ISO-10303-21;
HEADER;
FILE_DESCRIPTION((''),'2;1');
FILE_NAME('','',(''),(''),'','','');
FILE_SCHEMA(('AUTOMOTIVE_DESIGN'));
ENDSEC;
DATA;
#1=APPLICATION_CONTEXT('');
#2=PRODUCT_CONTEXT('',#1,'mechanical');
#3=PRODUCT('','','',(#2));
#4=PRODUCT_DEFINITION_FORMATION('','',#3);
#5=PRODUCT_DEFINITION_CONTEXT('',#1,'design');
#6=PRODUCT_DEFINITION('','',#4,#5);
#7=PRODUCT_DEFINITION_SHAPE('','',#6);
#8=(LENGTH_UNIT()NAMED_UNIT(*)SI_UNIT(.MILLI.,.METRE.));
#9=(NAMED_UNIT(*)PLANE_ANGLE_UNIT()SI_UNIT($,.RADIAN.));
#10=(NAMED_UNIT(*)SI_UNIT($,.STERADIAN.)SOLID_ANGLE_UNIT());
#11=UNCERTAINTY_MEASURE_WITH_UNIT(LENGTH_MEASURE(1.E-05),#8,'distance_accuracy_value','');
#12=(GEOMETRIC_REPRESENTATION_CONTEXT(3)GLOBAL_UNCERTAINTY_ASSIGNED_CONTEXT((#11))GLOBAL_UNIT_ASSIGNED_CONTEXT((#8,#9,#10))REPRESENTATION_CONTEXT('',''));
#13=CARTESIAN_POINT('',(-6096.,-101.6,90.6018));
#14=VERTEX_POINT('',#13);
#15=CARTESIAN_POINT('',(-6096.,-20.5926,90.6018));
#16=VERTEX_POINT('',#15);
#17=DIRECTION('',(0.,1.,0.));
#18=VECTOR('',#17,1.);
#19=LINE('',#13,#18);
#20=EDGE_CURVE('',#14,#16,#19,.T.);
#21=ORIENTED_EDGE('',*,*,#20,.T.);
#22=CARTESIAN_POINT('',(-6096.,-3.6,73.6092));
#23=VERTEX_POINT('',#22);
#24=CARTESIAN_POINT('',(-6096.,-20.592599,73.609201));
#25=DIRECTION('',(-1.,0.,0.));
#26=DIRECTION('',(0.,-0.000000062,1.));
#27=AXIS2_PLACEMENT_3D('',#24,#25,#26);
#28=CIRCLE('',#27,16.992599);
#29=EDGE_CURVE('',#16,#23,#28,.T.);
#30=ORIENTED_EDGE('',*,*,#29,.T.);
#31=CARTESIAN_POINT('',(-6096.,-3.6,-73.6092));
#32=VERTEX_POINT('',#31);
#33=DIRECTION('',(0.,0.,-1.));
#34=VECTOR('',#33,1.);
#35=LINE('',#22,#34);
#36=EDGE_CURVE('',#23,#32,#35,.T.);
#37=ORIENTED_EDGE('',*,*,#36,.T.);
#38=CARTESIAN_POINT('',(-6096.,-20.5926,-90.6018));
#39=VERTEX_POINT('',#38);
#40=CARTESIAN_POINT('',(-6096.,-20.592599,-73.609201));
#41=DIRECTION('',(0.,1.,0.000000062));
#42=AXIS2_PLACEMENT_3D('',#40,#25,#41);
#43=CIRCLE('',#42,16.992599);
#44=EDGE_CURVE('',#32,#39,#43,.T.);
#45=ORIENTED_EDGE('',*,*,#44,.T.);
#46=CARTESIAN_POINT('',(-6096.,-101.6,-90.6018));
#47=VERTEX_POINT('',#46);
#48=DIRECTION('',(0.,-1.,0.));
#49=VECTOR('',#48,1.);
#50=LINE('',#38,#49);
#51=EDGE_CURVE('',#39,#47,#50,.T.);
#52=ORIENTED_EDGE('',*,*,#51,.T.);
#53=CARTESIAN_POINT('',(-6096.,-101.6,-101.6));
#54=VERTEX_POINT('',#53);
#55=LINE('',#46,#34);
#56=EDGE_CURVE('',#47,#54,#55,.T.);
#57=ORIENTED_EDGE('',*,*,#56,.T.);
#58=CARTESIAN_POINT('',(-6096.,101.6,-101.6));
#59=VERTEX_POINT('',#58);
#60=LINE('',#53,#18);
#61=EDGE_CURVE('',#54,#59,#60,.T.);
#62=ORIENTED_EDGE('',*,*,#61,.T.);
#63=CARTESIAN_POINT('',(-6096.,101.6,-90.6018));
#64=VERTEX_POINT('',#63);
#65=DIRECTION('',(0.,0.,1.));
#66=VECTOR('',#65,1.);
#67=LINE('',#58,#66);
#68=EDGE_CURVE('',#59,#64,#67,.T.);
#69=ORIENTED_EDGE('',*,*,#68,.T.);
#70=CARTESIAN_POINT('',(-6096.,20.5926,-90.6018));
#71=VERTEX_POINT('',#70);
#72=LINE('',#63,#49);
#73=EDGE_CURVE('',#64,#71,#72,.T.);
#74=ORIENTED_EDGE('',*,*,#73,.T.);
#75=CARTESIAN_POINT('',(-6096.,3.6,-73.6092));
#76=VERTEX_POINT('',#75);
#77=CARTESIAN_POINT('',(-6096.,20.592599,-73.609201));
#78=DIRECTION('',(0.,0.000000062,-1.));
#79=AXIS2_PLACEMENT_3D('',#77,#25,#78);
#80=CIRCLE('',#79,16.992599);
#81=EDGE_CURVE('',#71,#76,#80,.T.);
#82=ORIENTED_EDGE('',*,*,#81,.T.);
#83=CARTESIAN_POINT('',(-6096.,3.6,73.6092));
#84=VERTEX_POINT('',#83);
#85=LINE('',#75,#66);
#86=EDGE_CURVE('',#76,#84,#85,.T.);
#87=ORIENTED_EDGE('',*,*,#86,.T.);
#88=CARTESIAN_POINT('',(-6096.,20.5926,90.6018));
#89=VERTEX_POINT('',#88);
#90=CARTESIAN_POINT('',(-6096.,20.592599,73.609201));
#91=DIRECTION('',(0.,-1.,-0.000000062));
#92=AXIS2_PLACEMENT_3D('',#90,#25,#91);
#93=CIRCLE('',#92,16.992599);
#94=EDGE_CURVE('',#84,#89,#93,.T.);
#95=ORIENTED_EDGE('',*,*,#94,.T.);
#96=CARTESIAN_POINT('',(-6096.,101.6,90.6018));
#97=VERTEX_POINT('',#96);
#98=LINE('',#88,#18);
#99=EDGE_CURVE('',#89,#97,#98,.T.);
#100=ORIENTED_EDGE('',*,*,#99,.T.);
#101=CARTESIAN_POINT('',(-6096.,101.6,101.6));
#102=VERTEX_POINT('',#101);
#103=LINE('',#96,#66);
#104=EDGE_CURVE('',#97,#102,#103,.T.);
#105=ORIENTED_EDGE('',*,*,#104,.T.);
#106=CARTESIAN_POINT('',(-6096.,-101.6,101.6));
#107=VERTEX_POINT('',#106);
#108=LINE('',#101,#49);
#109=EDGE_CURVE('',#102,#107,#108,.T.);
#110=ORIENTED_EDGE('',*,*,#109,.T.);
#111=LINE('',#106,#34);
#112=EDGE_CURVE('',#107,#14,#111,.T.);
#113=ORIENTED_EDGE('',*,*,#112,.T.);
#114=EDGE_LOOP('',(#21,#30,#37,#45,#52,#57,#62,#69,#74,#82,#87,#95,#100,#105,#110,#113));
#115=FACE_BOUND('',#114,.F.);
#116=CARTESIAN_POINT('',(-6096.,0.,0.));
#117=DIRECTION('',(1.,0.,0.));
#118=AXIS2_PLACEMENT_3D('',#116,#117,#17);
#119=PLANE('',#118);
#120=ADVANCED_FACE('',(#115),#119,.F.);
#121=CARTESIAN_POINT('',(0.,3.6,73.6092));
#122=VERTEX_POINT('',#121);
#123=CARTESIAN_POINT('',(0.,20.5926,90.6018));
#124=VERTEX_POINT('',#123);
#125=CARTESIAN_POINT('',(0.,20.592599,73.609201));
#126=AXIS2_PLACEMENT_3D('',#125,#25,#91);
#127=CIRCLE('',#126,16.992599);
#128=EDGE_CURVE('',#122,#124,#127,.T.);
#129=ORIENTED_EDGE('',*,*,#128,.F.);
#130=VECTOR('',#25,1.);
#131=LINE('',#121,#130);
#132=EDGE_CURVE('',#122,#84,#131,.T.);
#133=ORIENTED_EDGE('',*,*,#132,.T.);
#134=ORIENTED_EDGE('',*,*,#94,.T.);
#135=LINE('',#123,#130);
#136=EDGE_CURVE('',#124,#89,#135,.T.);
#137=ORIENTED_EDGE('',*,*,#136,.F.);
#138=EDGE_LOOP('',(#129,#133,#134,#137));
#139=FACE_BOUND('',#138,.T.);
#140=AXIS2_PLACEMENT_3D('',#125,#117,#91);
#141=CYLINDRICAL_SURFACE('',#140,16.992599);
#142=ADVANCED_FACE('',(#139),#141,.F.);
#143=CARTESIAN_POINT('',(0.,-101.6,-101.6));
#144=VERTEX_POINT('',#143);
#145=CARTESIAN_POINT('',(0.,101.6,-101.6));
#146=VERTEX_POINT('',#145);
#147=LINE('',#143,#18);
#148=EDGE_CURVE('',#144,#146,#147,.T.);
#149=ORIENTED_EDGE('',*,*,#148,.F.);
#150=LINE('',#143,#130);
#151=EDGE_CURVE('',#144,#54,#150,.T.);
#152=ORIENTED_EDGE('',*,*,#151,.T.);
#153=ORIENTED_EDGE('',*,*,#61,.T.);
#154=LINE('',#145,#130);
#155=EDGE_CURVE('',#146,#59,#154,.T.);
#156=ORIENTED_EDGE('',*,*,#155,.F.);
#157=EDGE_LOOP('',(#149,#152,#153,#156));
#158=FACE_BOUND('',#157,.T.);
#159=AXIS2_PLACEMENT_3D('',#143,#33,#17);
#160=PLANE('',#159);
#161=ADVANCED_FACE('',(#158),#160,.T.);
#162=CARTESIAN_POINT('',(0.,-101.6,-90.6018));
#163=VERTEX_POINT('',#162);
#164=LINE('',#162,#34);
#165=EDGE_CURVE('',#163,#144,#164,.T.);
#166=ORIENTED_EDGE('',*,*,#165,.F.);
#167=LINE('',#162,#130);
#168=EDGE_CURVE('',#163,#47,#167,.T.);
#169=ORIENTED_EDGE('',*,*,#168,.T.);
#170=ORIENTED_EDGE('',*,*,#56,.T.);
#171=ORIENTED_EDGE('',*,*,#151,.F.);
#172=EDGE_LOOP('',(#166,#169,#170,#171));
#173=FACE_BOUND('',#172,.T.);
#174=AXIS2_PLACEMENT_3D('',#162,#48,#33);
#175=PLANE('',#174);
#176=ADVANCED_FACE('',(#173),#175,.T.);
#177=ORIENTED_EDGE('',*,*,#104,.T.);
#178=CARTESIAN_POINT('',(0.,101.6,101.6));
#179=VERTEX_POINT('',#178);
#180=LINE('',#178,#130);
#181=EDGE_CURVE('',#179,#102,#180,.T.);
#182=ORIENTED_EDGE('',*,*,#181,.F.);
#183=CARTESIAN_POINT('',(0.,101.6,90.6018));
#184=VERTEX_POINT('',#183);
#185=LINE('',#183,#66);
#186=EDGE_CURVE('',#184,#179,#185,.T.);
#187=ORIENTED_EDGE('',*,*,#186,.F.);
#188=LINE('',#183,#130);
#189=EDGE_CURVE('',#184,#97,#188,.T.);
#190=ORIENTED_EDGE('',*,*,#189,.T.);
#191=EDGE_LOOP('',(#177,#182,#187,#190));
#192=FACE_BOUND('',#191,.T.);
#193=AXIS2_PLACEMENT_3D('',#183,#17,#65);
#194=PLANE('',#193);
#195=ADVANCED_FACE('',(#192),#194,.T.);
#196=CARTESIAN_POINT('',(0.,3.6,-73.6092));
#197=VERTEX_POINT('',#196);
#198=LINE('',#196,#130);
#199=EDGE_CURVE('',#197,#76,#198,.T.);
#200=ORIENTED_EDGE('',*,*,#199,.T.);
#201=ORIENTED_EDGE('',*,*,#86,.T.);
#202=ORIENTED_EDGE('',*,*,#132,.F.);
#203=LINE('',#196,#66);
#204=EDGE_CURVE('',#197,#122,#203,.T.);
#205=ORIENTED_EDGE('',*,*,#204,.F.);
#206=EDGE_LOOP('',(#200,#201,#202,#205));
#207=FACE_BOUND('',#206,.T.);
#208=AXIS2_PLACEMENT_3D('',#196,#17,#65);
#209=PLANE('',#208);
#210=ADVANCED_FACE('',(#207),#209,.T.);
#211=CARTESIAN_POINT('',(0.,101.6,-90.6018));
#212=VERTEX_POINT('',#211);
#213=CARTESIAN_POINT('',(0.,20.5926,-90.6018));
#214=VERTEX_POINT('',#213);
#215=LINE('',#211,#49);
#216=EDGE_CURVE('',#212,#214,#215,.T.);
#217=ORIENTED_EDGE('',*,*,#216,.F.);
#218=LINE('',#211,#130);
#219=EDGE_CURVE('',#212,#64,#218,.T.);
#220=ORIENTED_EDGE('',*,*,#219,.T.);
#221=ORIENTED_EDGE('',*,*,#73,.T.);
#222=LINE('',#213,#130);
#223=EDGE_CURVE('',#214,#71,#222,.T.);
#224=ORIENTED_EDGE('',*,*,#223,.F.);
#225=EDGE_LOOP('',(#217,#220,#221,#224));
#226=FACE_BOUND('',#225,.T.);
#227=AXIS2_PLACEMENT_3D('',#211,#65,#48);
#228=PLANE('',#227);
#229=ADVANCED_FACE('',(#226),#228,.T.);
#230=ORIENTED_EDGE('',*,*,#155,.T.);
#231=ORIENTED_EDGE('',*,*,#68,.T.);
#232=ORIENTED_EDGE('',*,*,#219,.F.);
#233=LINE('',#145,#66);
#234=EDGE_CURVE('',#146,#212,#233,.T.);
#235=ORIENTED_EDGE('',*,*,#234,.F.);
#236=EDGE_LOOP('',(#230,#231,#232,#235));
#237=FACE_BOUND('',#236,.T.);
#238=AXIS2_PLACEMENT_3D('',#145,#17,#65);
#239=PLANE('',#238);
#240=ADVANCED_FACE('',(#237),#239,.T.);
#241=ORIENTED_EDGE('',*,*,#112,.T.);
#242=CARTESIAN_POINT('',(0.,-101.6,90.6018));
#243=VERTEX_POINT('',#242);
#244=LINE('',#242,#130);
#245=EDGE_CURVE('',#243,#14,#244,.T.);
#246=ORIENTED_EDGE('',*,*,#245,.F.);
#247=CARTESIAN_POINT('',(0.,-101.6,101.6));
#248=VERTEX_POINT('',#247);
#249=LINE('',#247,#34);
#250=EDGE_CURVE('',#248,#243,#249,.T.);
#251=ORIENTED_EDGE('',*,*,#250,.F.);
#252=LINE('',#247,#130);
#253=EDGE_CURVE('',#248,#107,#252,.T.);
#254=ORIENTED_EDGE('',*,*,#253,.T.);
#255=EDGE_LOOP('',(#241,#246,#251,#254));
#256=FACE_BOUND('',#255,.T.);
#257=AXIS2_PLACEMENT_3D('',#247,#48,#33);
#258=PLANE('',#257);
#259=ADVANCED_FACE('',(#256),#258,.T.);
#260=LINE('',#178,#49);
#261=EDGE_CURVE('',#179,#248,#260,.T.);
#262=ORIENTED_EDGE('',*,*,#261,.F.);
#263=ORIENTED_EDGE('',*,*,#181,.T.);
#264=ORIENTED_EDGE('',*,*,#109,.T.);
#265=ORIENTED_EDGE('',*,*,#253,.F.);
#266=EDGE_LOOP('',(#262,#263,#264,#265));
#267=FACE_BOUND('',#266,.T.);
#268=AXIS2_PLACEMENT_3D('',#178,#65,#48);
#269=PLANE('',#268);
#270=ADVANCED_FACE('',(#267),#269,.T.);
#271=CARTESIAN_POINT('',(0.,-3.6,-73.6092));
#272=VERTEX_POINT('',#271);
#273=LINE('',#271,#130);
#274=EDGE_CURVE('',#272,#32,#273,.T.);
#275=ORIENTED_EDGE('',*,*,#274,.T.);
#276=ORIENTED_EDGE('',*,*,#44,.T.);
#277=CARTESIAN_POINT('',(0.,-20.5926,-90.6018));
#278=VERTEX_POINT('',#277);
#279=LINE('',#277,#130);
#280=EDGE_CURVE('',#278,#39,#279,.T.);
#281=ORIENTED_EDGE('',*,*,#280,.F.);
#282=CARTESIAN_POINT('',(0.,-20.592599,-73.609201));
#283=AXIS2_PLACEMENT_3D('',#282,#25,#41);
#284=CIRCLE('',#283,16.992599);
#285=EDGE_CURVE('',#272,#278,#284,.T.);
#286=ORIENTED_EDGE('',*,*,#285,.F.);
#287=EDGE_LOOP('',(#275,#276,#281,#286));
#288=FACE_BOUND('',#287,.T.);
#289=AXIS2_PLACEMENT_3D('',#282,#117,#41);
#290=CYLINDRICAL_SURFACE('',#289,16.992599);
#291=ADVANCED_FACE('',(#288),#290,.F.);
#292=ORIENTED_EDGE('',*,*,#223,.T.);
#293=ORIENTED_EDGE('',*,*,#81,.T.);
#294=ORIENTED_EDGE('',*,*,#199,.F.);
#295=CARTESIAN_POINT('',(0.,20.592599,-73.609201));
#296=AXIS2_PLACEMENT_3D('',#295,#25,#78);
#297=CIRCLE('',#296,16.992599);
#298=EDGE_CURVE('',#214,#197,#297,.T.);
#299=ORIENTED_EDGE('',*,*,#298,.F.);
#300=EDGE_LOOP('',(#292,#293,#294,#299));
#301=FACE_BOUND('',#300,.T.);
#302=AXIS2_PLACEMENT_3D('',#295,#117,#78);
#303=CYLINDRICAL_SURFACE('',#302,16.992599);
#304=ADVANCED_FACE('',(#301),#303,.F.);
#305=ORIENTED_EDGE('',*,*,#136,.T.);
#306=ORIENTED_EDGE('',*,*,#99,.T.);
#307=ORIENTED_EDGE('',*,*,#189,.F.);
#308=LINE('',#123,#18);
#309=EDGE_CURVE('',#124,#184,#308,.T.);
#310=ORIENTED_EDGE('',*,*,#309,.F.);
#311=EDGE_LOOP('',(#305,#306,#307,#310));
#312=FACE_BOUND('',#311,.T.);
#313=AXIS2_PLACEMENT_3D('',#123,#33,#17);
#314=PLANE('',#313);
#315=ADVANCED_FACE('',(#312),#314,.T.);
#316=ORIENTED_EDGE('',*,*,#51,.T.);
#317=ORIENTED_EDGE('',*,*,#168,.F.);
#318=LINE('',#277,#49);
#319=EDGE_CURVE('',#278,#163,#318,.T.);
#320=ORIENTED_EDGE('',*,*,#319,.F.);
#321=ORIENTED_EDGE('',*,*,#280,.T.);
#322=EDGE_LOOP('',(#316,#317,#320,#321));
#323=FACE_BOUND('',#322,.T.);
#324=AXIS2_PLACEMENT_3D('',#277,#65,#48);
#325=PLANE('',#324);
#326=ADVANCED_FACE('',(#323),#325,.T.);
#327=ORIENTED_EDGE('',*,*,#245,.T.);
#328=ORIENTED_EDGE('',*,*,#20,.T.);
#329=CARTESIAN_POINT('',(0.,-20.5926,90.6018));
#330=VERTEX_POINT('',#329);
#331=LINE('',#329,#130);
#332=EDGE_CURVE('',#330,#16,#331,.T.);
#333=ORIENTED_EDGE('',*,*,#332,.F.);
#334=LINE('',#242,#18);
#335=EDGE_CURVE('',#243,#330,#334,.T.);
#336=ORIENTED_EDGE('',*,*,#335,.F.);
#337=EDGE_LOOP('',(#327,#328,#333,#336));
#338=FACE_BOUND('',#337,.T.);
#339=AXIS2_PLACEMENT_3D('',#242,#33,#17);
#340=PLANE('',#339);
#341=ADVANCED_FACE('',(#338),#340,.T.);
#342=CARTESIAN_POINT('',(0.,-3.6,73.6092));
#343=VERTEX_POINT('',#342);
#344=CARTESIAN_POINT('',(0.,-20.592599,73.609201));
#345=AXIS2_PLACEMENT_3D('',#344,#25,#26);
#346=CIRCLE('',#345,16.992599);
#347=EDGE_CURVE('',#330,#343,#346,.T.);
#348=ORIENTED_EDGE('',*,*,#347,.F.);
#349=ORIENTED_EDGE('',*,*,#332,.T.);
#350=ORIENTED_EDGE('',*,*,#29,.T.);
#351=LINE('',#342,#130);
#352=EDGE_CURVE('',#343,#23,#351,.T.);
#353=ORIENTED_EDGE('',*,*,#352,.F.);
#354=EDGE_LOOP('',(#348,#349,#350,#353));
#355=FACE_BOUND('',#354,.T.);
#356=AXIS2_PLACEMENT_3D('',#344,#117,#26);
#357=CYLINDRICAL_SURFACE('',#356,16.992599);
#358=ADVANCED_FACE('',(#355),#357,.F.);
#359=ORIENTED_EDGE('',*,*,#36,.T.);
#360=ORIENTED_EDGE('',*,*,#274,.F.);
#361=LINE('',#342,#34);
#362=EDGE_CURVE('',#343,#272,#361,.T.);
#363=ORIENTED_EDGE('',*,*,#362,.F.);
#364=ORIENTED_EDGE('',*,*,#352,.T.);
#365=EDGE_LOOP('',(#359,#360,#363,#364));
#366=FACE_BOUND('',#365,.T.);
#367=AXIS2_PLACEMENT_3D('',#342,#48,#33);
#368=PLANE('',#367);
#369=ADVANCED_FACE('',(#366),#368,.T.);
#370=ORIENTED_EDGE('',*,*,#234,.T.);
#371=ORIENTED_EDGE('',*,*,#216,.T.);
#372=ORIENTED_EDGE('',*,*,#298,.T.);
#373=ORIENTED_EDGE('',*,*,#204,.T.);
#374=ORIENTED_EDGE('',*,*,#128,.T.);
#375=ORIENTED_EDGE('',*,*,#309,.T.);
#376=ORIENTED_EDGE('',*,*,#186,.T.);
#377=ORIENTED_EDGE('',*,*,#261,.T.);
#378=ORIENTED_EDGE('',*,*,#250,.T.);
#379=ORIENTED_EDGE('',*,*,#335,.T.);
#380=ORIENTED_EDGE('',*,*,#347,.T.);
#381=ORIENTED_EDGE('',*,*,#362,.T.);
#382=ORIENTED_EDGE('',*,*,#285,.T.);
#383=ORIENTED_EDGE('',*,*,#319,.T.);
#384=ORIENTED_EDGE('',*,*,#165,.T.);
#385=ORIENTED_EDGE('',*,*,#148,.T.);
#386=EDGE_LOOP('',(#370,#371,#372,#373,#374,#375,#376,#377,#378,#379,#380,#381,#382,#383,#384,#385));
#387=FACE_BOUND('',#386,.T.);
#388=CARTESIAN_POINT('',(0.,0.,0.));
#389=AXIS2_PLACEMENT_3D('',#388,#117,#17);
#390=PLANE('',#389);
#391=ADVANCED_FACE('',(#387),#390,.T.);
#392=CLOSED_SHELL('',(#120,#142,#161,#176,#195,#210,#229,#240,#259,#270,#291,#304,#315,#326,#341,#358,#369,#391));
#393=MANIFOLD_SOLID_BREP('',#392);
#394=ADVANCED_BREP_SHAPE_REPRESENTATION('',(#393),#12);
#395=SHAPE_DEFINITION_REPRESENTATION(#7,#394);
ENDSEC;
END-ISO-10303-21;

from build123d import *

# Parameters (mm, degrees)
F1_DEPTH = 6096


with BuildPart() as f1:
    # F0 (on Right) → F1 (new body)
    with BuildSketch(Plane.YZ):
        with BuildLine():
            Line((-3.6, 73.6092), (-3.6, 0))
            Line((-3.6, 0), (-3.6, -73.6092))
            ThreePointArc((-3.6, -73.6092), (-8.577017, -85.624783), (-20.5926, -90.6018))
            Line((-20.5926, -90.6018), (-101.6, -90.6018))
            Line((-101.6, -90.6018), (-101.6, -101.6))
            Line((-101.6, -101.6), (0, -101.6))
            Line((0, -101.6), (101.6, -101.6))
            Line((101.6, -101.6), (101.6, -90.6018))
            Line((101.6, -90.6018), (20.5926, -90.6018))
            ThreePointArc((20.5926, -90.6018), (8.577017, -85.624783), (3.6, -73.6092))
            Line((3.6, -73.6092), (3.6, 0))
            Line((3.6, 0), (3.6, 73.6092))
            ThreePointArc((3.6, 73.6092), (8.577017, 85.624783), (20.5926, 90.6018))
            Line((20.5926, 90.6018), (101.6, 90.6018))
            Line((101.6, 90.6018), (101.6, 101.6))
            Line((101.6, 101.6), (0, 101.6))
            Line((0, 101.6), (-101.6, 101.6))
            Line((-101.6, 101.6), (-101.6, 90.6018))
            Line((-101.6, 90.6018), (-20.5926, 90.6018))
            ThreePointArc((-20.5926, 90.6018), (-8.577017, 85.624783), (-3.6, 73.6092))
        make_face()
    extrude(amount=-F1_DEPTH)


solid = f1.part
